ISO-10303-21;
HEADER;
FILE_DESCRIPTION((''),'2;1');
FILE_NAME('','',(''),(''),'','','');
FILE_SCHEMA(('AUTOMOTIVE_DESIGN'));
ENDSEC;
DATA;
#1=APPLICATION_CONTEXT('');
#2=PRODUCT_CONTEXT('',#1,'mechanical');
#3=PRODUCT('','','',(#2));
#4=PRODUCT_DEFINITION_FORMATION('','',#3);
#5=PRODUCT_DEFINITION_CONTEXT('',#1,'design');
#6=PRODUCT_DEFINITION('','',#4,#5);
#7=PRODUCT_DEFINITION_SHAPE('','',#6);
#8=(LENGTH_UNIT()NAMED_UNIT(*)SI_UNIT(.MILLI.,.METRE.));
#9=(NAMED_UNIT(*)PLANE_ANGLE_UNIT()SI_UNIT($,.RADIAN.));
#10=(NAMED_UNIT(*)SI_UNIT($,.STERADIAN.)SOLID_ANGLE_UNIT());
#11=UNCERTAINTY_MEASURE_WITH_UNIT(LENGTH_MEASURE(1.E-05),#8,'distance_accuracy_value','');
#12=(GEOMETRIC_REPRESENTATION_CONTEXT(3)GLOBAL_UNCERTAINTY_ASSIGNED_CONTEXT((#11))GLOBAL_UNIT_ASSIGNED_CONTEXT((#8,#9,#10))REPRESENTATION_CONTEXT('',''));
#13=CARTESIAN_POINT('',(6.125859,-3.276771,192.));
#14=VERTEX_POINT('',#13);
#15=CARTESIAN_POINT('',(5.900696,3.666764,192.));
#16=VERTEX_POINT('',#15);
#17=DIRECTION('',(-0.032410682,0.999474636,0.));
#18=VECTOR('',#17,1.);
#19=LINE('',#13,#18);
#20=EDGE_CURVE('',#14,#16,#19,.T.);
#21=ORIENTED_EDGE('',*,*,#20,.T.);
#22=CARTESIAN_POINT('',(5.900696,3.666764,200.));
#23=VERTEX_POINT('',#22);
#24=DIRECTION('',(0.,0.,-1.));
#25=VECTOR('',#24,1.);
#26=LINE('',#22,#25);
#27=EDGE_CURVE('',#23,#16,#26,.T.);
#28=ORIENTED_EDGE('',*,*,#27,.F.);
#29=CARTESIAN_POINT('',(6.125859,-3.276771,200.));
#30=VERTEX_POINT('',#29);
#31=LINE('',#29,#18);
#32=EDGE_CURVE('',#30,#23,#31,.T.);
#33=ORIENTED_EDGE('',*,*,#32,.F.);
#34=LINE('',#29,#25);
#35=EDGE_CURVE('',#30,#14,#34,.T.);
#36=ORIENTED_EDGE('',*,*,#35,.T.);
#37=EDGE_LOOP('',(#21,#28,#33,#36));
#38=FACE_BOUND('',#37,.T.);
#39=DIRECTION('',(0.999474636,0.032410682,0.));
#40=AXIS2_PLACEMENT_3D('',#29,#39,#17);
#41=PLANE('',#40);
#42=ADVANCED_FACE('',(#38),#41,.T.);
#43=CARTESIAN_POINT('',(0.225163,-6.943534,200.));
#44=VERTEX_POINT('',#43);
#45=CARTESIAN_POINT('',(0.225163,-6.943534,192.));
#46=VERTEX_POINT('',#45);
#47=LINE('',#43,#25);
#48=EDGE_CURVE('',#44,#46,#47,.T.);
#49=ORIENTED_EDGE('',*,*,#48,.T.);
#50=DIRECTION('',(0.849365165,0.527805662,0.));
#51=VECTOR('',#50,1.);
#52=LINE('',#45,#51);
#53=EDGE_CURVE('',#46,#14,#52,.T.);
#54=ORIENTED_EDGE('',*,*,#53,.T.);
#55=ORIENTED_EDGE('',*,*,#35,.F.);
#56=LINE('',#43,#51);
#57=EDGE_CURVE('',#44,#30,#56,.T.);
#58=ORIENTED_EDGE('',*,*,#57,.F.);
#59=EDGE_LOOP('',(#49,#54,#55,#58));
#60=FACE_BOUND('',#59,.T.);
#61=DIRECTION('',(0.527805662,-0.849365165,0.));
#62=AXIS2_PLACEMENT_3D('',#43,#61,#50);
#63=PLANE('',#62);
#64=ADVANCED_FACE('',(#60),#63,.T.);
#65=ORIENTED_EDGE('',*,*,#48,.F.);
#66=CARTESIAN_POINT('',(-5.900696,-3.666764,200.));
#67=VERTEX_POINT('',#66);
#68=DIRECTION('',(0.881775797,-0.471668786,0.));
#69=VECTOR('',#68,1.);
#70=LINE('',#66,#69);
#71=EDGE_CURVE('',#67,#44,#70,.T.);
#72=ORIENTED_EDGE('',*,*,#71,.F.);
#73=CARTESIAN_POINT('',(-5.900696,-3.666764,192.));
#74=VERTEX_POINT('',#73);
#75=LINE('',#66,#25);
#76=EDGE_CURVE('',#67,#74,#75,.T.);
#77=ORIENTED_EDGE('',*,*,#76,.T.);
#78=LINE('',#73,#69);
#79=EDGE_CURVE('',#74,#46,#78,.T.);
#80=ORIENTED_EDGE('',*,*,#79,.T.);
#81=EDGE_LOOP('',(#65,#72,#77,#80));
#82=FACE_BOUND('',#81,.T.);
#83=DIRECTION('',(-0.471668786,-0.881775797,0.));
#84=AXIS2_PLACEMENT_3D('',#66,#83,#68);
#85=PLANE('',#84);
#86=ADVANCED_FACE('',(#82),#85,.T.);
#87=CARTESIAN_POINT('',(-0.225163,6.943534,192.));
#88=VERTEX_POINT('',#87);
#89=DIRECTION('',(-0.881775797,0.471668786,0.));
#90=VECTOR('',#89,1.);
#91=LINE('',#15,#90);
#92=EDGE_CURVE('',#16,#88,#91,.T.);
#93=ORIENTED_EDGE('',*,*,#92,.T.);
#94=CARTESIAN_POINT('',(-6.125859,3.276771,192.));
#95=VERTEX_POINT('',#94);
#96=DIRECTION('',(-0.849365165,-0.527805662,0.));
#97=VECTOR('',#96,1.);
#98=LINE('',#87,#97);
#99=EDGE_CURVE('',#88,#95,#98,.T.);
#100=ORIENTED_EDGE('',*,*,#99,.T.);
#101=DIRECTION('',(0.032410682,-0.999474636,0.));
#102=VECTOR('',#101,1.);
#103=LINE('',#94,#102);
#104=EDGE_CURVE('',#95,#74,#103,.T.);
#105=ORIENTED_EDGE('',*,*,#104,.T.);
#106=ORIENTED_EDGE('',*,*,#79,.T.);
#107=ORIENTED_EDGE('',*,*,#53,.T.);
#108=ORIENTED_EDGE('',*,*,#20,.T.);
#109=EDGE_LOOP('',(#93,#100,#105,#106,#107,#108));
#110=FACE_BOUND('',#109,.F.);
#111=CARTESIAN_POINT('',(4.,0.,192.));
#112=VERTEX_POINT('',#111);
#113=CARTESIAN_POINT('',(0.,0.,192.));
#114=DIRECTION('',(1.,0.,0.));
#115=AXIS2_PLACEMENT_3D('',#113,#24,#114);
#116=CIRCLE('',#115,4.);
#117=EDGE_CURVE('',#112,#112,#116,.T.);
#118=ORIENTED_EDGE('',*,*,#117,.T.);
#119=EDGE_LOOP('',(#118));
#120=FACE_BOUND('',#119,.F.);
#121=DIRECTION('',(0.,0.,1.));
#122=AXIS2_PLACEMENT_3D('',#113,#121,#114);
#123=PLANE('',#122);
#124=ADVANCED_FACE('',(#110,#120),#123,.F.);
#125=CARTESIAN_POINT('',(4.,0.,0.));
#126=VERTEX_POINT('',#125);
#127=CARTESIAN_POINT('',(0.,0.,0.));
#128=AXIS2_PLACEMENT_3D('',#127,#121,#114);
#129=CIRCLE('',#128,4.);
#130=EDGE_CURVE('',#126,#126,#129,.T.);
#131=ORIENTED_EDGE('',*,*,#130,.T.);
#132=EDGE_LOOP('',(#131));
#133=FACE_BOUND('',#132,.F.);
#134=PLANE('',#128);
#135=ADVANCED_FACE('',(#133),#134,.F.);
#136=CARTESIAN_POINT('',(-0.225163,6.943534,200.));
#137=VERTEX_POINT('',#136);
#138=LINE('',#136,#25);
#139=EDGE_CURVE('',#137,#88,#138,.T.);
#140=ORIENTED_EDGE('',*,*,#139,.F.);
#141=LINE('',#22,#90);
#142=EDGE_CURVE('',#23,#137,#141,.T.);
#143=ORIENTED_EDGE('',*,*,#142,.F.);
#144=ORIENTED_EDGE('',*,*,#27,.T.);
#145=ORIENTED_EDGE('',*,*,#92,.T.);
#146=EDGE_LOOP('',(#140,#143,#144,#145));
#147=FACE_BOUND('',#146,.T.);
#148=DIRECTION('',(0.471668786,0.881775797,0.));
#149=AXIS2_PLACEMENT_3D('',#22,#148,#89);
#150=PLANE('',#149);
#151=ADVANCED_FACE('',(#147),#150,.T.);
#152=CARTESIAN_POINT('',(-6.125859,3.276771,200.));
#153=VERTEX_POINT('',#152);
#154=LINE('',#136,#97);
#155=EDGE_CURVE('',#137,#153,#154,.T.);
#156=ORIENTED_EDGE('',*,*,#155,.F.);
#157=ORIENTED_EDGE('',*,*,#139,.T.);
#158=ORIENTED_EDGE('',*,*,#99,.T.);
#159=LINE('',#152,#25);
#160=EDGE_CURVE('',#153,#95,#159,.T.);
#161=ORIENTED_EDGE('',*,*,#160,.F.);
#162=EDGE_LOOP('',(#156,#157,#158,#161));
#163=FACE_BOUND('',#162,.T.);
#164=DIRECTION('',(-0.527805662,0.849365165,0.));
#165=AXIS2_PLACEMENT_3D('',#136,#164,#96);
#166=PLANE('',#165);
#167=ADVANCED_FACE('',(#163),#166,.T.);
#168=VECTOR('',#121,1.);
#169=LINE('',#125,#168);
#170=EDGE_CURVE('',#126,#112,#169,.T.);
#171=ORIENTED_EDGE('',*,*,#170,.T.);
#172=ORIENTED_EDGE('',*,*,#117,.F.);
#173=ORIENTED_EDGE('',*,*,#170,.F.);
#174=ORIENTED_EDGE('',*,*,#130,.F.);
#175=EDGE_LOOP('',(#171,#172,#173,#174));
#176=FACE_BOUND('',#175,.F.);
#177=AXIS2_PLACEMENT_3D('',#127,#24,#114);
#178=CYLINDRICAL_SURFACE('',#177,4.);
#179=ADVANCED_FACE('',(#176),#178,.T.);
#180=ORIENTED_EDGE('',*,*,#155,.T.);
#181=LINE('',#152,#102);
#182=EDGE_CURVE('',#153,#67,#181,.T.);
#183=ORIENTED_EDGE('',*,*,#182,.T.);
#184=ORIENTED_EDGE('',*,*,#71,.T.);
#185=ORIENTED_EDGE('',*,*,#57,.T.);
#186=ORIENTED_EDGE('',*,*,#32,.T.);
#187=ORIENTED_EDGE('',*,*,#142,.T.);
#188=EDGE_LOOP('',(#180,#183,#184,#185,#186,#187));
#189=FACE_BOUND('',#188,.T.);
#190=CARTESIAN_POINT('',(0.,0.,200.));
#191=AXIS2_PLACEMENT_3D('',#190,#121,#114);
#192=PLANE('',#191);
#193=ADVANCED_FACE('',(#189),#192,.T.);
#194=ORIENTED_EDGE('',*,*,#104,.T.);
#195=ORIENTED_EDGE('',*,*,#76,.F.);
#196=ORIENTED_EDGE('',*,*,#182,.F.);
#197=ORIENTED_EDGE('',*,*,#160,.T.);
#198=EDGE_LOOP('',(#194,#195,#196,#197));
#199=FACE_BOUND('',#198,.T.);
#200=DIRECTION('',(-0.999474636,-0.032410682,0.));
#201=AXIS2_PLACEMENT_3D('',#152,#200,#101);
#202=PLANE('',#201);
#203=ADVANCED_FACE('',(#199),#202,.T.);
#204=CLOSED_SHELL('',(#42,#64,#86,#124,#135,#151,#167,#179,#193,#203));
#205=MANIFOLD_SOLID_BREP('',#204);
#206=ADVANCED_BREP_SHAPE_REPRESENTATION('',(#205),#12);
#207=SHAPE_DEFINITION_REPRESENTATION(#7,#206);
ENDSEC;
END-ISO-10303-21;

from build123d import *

# Parameters (mm, degrees)
F0_R     = 4
F1_DEPTH = 200
F3_DEPTH = 8


with BuildPart() as f1:
    # F0 (on Top) → F1 (new body)
    with BuildSketch(Plane.XY):
        Circle(F0_R)
    extrude(amount=F1_DEPTH)

    # F2 (on face) → F3 (join)
    with BuildSketch(Plane.XY.offset(200)):
        Polygon((5.900696, 3.666764), (-0.225163, 6.943534), (-6.125859, 3.276771), (-5.900696, -3.666764), (0.225163, -6.943534), (6.125859, -3.276771), align=None)
    extrude(amount=-F3_DEPTH)


solid = f1.part
